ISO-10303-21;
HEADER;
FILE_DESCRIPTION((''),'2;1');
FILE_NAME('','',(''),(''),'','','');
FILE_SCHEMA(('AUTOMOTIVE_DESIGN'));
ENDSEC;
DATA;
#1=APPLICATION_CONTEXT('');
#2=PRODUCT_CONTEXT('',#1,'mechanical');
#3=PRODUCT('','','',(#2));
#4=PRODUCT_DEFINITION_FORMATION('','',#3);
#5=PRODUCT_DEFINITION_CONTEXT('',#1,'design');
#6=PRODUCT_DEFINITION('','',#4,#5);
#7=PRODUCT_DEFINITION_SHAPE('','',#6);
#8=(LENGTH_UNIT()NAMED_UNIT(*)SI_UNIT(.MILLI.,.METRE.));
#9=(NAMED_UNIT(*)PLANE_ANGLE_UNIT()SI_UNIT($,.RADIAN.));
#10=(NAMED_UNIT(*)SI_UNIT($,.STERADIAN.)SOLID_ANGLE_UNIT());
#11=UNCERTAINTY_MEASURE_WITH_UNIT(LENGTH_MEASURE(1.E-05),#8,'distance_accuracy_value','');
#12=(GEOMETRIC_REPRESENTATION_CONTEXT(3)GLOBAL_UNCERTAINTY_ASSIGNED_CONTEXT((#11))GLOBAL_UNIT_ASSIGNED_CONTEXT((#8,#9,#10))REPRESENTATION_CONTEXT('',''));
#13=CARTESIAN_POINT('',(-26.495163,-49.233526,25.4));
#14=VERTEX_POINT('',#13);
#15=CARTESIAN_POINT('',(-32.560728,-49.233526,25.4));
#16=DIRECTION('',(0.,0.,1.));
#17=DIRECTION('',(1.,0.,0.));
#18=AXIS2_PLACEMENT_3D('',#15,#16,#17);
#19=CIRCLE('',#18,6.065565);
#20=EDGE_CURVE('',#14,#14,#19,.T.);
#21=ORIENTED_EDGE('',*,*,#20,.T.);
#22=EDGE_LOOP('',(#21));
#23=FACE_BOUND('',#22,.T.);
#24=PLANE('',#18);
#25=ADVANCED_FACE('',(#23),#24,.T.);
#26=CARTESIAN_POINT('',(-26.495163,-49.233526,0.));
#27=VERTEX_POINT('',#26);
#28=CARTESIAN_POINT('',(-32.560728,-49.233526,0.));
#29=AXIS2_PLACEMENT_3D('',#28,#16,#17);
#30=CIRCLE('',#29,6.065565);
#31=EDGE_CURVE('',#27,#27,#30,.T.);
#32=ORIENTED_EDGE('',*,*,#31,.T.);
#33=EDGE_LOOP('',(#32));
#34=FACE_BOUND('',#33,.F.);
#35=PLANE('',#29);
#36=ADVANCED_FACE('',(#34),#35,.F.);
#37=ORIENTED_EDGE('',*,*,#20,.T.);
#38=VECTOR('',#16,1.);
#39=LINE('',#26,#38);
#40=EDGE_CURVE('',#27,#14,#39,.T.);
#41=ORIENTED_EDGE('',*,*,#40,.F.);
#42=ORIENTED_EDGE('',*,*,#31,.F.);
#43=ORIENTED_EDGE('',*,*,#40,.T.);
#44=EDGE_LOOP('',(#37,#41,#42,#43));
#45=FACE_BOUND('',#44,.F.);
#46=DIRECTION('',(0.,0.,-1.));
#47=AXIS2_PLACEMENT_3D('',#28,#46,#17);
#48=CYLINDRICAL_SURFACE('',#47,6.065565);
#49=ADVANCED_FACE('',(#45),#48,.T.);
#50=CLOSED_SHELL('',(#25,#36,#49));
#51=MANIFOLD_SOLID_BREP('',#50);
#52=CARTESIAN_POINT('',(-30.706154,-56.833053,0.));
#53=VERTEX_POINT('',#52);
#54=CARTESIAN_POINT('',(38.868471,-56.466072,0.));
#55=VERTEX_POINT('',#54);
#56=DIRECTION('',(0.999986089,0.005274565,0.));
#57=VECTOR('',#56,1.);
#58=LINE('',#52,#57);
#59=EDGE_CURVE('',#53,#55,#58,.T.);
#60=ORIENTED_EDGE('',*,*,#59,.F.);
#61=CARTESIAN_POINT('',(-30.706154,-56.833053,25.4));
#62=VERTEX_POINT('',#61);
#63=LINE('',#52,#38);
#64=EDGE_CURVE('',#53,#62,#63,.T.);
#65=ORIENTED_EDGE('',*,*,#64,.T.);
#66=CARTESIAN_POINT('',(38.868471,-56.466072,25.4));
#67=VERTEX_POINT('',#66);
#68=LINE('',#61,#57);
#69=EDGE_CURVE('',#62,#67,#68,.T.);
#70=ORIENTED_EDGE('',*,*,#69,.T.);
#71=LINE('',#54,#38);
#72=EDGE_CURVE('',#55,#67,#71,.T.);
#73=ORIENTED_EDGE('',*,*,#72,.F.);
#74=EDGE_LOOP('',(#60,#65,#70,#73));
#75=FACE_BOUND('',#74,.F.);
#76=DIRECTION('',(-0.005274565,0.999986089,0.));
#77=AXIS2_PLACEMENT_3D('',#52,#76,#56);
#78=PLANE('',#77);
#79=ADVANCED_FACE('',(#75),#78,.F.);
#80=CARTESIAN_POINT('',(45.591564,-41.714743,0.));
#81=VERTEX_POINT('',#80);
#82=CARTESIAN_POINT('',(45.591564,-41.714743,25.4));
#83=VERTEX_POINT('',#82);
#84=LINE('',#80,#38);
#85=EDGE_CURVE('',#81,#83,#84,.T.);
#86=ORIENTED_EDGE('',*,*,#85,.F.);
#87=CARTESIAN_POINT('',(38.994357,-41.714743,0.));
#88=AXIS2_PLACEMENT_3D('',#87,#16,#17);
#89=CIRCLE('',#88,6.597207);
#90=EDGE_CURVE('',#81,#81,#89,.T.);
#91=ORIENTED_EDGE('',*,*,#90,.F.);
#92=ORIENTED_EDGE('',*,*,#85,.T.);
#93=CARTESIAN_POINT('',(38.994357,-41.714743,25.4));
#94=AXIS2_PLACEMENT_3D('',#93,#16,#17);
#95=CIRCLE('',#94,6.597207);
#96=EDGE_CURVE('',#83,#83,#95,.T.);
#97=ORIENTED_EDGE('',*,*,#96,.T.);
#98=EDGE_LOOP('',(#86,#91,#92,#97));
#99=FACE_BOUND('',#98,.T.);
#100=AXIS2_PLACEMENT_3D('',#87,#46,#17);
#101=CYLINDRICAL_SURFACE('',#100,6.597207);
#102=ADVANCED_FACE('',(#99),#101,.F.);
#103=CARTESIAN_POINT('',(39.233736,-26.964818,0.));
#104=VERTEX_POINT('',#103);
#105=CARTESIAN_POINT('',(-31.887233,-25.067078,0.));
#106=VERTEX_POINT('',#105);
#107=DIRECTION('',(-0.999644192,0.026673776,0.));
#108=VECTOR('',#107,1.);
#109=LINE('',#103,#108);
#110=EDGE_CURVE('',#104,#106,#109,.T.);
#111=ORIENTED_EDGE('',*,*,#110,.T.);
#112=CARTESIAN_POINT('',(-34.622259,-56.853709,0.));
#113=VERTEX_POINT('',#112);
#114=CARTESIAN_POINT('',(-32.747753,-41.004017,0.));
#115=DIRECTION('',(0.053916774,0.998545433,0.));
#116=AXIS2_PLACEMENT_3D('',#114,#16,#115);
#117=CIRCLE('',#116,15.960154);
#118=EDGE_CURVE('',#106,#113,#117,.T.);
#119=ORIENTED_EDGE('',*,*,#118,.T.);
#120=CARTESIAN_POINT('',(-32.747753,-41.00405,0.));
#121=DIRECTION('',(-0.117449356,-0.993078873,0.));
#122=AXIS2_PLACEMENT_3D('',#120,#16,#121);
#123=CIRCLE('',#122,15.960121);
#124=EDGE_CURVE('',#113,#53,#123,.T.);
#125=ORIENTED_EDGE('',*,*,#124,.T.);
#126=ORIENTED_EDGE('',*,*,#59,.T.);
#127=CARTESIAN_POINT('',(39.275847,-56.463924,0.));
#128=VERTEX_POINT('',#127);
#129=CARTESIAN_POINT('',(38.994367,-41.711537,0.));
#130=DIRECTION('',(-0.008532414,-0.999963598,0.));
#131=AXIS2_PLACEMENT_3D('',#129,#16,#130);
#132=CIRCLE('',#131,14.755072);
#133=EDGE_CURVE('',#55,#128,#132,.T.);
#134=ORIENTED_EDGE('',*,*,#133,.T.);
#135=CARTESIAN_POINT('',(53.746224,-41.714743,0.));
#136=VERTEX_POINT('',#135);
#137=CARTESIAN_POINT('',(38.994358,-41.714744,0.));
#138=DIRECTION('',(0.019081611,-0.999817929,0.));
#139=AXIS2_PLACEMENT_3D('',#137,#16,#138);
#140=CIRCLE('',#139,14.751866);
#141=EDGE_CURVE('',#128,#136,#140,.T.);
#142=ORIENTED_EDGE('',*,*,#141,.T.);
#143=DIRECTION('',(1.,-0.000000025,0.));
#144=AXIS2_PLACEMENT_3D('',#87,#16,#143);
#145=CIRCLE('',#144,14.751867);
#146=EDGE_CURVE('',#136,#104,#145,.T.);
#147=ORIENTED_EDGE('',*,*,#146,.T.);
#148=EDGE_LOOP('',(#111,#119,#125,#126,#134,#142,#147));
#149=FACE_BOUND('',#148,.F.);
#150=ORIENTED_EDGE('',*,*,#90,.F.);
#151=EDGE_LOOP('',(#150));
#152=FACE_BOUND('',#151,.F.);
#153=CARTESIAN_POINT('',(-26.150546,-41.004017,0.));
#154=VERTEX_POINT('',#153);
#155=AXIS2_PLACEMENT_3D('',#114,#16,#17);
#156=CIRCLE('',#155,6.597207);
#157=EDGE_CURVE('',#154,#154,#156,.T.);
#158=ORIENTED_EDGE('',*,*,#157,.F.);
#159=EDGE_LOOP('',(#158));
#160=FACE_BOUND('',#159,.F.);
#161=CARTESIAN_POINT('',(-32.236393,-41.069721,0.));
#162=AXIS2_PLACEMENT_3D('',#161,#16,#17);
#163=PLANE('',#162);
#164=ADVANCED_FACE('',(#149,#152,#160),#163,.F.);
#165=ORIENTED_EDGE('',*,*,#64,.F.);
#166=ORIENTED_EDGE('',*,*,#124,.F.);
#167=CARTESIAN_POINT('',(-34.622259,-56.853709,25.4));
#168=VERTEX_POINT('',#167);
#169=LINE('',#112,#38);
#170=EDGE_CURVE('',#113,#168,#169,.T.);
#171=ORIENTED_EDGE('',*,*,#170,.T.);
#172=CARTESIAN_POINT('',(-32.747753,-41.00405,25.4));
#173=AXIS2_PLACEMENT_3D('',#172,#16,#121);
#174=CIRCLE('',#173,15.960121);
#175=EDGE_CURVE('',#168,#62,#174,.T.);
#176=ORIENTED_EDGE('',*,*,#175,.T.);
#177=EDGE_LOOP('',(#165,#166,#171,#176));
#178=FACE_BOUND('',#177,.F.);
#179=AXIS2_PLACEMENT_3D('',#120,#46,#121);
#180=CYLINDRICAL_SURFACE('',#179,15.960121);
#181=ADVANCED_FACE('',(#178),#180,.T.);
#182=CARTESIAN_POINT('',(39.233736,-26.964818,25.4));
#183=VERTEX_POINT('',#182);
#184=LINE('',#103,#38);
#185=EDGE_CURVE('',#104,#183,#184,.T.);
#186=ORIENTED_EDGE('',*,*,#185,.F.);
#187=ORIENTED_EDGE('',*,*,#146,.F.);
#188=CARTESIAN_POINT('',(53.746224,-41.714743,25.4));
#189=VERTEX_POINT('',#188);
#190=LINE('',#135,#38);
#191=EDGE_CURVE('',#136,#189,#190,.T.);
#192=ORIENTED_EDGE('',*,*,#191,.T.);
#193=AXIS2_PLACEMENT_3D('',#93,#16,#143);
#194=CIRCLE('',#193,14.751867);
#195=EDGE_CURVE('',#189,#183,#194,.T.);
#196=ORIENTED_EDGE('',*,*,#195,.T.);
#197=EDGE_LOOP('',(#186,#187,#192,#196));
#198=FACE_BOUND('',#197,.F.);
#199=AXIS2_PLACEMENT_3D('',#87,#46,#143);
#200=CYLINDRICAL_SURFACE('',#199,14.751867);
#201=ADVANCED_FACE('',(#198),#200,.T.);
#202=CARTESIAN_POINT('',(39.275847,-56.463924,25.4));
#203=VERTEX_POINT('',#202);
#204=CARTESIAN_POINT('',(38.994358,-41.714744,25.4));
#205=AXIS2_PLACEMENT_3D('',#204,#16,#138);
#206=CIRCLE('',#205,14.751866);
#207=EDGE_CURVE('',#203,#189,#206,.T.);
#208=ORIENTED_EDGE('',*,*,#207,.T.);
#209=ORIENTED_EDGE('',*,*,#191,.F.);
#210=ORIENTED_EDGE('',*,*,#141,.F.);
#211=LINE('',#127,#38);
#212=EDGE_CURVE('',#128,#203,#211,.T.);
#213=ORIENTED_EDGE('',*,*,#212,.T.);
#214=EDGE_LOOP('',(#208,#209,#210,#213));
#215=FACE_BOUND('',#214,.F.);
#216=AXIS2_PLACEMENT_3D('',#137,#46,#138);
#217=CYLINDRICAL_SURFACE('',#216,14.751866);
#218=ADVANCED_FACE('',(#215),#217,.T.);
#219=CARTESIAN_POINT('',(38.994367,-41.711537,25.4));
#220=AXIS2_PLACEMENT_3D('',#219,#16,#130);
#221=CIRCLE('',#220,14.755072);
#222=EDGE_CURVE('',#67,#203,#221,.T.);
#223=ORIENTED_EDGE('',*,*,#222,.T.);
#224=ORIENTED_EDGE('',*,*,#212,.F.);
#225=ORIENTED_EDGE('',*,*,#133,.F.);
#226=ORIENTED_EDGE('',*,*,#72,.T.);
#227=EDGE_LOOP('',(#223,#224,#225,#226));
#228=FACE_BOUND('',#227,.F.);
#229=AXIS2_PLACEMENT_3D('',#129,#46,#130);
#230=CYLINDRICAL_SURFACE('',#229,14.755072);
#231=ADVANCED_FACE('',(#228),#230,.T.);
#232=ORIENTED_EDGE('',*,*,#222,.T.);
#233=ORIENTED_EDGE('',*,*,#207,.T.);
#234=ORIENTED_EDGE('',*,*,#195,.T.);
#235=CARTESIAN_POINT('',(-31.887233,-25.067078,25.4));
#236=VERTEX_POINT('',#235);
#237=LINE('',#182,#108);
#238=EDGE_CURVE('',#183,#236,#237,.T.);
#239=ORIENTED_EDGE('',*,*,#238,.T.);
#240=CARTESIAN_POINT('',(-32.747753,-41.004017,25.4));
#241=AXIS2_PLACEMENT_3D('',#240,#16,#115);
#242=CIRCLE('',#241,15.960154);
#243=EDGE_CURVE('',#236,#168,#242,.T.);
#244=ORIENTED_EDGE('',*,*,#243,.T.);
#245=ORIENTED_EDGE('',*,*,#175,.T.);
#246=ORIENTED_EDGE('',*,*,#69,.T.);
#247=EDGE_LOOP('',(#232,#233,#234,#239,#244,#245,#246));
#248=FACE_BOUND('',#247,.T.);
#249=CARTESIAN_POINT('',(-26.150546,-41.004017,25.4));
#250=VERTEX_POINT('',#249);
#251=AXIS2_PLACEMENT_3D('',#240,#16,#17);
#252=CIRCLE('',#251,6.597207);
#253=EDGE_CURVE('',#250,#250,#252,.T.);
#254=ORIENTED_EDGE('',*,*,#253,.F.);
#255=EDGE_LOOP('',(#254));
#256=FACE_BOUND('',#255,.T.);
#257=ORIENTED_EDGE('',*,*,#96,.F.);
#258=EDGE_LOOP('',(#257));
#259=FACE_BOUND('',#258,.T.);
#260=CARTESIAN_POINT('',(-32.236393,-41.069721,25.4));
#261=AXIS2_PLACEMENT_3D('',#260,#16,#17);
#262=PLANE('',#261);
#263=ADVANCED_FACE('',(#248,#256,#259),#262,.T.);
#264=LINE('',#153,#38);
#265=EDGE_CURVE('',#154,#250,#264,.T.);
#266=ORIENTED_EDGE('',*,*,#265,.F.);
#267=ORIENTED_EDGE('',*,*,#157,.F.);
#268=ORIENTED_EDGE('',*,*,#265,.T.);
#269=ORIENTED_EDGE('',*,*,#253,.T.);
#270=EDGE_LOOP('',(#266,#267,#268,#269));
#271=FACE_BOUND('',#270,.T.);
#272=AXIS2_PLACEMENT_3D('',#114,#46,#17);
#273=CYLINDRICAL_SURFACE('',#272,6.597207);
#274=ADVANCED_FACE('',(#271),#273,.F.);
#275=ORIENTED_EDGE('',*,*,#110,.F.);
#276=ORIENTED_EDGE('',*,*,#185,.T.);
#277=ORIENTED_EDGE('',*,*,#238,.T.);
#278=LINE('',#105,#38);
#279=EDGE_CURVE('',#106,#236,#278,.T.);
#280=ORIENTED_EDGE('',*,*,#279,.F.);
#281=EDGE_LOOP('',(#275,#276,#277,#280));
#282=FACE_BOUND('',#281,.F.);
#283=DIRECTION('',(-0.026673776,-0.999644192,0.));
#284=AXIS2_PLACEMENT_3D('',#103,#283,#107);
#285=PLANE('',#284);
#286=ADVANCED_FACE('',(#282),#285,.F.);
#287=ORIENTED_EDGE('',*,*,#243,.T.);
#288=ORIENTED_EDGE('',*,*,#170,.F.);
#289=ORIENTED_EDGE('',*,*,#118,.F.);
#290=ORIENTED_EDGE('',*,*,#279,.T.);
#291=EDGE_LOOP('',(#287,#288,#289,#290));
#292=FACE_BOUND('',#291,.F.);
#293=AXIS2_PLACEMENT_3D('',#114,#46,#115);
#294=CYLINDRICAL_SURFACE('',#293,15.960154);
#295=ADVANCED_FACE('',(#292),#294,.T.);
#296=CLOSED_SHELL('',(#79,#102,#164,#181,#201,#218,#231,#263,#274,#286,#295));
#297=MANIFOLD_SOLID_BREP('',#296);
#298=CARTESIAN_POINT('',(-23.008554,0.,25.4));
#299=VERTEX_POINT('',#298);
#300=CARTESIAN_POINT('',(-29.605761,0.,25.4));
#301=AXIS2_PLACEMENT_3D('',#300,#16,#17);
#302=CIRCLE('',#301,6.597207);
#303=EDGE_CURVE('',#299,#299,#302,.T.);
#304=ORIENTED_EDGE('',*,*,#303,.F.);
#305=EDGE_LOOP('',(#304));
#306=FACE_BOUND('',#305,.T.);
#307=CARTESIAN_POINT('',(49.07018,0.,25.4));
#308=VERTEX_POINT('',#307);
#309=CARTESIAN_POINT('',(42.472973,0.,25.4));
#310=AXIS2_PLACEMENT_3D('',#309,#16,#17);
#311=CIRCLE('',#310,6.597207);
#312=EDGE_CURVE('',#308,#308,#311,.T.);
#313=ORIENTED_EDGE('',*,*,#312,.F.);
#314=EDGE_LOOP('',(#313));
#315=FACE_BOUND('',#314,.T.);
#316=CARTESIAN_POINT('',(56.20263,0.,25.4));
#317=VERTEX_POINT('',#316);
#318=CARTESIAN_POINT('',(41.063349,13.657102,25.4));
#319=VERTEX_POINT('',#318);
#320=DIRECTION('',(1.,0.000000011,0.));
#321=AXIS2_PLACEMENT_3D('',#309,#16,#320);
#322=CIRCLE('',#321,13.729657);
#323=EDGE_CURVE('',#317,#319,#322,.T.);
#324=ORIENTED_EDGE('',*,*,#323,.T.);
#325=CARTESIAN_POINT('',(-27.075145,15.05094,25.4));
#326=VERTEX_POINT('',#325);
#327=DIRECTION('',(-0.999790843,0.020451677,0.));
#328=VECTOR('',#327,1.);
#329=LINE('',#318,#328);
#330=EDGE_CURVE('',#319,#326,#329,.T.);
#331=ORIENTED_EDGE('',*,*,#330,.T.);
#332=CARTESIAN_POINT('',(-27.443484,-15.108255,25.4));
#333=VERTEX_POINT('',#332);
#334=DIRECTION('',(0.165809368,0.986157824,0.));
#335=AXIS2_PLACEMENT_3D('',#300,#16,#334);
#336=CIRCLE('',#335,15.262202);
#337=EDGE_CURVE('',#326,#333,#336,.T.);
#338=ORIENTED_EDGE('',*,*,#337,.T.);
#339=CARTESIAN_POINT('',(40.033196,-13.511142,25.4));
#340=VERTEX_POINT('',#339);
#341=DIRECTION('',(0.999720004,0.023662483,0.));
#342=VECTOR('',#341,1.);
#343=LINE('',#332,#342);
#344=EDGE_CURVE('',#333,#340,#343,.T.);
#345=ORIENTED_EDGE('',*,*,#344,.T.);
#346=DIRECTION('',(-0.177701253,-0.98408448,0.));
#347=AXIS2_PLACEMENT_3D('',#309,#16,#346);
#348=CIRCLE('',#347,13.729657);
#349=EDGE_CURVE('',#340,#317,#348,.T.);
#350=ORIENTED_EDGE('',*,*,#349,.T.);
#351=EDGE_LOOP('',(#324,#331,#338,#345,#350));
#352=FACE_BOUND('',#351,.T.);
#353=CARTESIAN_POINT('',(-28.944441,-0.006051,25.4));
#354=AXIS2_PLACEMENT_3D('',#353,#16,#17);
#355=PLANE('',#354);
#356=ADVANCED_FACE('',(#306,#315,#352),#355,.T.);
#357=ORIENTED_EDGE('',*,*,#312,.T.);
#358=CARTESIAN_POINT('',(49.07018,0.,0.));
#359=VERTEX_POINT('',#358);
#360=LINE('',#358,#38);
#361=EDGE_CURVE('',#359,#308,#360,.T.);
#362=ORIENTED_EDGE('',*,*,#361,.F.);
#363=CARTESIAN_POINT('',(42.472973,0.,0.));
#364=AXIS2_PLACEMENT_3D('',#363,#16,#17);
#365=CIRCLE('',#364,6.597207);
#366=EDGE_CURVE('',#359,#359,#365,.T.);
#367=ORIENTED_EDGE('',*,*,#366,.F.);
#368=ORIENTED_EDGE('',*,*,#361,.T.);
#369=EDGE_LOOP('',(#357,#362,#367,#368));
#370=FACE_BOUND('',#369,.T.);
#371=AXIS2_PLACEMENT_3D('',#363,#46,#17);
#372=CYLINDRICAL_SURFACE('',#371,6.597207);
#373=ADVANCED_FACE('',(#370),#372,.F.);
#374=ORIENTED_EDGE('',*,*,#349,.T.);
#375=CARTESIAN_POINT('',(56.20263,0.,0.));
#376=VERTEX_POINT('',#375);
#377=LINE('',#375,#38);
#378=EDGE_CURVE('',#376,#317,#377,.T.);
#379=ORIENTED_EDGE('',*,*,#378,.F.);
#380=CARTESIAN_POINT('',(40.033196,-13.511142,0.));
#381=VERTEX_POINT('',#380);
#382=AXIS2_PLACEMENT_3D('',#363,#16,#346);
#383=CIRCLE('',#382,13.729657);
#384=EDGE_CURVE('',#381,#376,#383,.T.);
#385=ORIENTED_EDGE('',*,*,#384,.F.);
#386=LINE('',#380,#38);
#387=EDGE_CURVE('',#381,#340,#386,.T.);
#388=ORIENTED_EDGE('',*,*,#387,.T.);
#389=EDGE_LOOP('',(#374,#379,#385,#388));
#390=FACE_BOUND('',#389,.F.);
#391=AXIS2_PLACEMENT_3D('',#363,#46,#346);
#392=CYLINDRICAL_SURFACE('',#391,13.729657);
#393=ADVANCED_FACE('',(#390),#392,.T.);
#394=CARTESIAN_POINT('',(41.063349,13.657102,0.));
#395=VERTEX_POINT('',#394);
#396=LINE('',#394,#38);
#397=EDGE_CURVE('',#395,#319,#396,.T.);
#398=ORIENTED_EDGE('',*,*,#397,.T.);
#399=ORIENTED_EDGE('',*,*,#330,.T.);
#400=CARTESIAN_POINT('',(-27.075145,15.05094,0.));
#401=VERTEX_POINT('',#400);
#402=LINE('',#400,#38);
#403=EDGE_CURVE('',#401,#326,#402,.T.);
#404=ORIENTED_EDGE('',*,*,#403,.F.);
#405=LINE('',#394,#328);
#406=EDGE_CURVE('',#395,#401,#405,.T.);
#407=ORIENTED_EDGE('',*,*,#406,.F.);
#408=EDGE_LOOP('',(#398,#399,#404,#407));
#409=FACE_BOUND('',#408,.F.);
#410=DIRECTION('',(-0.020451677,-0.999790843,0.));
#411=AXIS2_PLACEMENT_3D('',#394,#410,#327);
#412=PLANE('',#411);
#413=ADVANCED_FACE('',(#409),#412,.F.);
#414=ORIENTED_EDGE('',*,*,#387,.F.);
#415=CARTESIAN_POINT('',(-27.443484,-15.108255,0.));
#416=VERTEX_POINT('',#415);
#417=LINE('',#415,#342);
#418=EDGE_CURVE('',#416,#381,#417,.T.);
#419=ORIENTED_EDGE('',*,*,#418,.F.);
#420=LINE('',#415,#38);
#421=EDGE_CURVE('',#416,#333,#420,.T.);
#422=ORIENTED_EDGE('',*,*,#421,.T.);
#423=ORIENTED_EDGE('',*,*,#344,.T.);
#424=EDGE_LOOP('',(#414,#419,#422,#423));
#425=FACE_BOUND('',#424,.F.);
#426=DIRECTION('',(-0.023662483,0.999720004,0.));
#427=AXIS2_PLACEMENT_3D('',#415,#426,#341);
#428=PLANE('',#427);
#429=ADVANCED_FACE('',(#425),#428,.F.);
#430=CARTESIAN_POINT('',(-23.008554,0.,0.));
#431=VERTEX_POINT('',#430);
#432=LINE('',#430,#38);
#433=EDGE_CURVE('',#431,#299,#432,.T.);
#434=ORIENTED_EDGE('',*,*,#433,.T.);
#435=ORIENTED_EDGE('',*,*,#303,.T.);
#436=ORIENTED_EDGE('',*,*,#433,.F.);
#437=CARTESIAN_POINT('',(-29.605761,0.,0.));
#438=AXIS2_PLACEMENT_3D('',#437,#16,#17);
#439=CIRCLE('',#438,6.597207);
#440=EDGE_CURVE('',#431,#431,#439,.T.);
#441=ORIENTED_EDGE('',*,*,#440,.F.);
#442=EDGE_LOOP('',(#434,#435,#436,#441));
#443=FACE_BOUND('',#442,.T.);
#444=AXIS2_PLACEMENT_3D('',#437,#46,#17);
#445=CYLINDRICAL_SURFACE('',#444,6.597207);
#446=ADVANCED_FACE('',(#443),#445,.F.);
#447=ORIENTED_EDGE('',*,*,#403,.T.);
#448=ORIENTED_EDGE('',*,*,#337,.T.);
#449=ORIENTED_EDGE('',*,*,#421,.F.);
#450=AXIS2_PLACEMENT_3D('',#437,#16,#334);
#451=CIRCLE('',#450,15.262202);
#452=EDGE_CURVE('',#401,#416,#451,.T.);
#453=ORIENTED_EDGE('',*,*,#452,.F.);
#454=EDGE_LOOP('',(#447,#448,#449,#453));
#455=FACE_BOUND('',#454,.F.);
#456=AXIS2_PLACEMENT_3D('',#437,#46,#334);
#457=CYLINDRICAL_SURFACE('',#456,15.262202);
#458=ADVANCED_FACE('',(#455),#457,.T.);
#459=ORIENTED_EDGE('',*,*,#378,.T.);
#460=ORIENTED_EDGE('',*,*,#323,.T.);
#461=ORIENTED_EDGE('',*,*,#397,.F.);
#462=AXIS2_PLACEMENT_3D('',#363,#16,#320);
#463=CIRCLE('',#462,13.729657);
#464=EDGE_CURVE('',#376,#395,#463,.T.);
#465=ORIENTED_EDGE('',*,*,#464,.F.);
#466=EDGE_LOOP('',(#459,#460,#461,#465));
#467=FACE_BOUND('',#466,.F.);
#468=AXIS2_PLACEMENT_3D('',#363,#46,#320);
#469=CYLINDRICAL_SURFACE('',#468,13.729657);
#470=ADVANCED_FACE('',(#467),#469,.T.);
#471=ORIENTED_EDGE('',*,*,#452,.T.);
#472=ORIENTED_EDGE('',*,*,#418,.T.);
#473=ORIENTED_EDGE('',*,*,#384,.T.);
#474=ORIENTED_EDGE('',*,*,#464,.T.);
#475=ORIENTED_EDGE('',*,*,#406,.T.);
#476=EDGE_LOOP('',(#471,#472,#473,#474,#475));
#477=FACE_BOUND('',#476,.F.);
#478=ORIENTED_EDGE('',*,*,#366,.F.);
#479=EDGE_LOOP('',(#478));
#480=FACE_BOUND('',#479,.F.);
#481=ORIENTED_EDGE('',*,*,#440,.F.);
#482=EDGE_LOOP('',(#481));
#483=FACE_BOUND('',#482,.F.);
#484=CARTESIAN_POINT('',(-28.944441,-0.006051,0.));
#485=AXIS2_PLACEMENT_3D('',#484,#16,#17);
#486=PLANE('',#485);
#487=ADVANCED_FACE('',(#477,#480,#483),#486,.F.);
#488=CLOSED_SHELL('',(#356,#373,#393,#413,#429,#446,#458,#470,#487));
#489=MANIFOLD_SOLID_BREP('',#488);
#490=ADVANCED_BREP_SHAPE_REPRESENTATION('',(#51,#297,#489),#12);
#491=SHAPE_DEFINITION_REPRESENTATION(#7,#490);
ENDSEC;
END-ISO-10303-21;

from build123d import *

# Parameters (mm, degrees)
F0_R     = 6.597207
F1_DEPTH = 25.4
F2_R     = 6.065565
F3_DEPTH = 25.4
F4_R     = 6.597207
F5_DEPTH = 25.4


with BuildPart() as f1:
    # F0 (on Top) → F1 (new body)
    with BuildSketch(Plane.XY):
        with BuildLine():
            ThreePointArc((-27.443484, -15.108255), (-18.074588, -9.998342), (-14.343559, 0))
            ThreePointArc((-14.343559, 0), (-17.953345, 9.856775), (-27.075145, 15.05094))
            ThreePointArc((-27.075145, 15.05094), (-44.866825, 0.186386), (-27.443484, -15.108255))
        make_face()
        with Locations((-29.605761, 0)):
            Circle(F0_R, mode=Mode.SUBTRACT)
        with BuildLine():
            ThreePointArc((-27.075145, 15.05094), (-17.953345, 9.856775), (-14.343559, 0))
            ThreePointArc((-14.343559, 0), (-18.074588, -9.998342), (-27.443484, -15.108255))
            Line((-27.443484, -15.108255), (40.033196, -13.511142))
            ThreePointArc((40.033196, -13.511142), (28.753176, 0.520221), (41.063349, 13.657102))
            Line((41.063349, 13.657102), (-27.075145, 15.05094))
        make_face()
        with BuildLine():
            ThreePointArc((56.20263, 0), (51.669435, 10.194536), (41.063349, 13.657102))
            ThreePointArc((41.063349, 13.657102), (28.753176, 0.520221), (40.033196, -13.511142))
            ThreePointArc((40.033196, -13.511142), (51.276557, -10.535672), (56.20263, 0))
        make_face()
        with Locations((42.472973, 0)):
            Circle(F0_R, mode=Mode.SUBTRACT)
    extrude(amount=F1_DEPTH)


with BuildPart() as f3:
    # F2 (on Top) → F3 (new body)
    with BuildSketch(Plane.XY):
        with Locations((-32.560728, -49.233526)):
            Circle(F2_R)
    extrude(amount=F3_DEPTH)


with BuildPart() as f5:
    # F4 (on Top) → F5 (new body)
    with BuildSketch(Plane.XY):
        with BuildLine():
            ThreePointArc((-30.706154, -56.833053), (-20.762121, -51.543046), (-16.787599, -41.004017))
            ThreePointArc((-16.787599, -41.004017), (-21.161974, -30.026939), (-31.887233, -25.067078))
            ThreePointArc((-31.887233, -25.067078), (-48.649153, -39.635809), (-34.622259, -56.853709))
            Line((-34.622259, -56.853709), (-30.706154, -56.833053))
        make_face()
        with Locations((-32.747753, -41.004017)):
            Circle(F4_R, mode=Mode.SUBTRACT)
        with BuildLine():
            ThreePointArc((-31.887233, -25.067078), (-21.161974, -30.026939), (-16.787599, -41.004017))
            ThreePointArc((-16.787599, -41.004017), (-20.762121, -51.543046), (-30.706154, -56.833053))
            Line((-30.706154, -56.833053), (38.868471, -56.466072))
            ThreePointArc((38.868471, -56.466072), (24.243621, -41.532109), (39.233736, -26.964818))
            Line((39.233736, -26.964818), (-31.887233, -25.067078))
        make_face()
        with BuildLine():
            ThreePointArc((-34.622259, -56.853709), (-32.66357, -56.963949), (-30.706154, -56.833053))
            Line((-30.706154, -56.833053), (-34.622259, -56.853709))
        make_face()
        with BuildLine():
            ThreePointArc((53.746224, -41.714743), (49.509795, -31.368577), (39.233736, -26.964818))
            ThreePointArc((39.233736, -26.964818), (24.243621, -41.532109), (38.868471, -56.466072))
            Line((38.868471, -56.466072), (39.275847, -56.463924))
            ThreePointArc((39.275847, -56.463924), (49.524554, -52.045887), (53.746224, -41.714743))
        make_face()
        with Locations((38.994357, -41.714743)):
            Circle(F4_R, mode=Mode.SUBTRACT)
        with BuildLine():
            Line((39.275847, -56.463924), (38.868471, -56.466072))
            ThreePointArc((38.868471, -56.466072), (39.072167, -56.466404), (39.275847, -56.463924))
        make_face()
    extrude(amount=F5_DEPTH)


solid = Compound([f1.part, f3.part, f5.part])
